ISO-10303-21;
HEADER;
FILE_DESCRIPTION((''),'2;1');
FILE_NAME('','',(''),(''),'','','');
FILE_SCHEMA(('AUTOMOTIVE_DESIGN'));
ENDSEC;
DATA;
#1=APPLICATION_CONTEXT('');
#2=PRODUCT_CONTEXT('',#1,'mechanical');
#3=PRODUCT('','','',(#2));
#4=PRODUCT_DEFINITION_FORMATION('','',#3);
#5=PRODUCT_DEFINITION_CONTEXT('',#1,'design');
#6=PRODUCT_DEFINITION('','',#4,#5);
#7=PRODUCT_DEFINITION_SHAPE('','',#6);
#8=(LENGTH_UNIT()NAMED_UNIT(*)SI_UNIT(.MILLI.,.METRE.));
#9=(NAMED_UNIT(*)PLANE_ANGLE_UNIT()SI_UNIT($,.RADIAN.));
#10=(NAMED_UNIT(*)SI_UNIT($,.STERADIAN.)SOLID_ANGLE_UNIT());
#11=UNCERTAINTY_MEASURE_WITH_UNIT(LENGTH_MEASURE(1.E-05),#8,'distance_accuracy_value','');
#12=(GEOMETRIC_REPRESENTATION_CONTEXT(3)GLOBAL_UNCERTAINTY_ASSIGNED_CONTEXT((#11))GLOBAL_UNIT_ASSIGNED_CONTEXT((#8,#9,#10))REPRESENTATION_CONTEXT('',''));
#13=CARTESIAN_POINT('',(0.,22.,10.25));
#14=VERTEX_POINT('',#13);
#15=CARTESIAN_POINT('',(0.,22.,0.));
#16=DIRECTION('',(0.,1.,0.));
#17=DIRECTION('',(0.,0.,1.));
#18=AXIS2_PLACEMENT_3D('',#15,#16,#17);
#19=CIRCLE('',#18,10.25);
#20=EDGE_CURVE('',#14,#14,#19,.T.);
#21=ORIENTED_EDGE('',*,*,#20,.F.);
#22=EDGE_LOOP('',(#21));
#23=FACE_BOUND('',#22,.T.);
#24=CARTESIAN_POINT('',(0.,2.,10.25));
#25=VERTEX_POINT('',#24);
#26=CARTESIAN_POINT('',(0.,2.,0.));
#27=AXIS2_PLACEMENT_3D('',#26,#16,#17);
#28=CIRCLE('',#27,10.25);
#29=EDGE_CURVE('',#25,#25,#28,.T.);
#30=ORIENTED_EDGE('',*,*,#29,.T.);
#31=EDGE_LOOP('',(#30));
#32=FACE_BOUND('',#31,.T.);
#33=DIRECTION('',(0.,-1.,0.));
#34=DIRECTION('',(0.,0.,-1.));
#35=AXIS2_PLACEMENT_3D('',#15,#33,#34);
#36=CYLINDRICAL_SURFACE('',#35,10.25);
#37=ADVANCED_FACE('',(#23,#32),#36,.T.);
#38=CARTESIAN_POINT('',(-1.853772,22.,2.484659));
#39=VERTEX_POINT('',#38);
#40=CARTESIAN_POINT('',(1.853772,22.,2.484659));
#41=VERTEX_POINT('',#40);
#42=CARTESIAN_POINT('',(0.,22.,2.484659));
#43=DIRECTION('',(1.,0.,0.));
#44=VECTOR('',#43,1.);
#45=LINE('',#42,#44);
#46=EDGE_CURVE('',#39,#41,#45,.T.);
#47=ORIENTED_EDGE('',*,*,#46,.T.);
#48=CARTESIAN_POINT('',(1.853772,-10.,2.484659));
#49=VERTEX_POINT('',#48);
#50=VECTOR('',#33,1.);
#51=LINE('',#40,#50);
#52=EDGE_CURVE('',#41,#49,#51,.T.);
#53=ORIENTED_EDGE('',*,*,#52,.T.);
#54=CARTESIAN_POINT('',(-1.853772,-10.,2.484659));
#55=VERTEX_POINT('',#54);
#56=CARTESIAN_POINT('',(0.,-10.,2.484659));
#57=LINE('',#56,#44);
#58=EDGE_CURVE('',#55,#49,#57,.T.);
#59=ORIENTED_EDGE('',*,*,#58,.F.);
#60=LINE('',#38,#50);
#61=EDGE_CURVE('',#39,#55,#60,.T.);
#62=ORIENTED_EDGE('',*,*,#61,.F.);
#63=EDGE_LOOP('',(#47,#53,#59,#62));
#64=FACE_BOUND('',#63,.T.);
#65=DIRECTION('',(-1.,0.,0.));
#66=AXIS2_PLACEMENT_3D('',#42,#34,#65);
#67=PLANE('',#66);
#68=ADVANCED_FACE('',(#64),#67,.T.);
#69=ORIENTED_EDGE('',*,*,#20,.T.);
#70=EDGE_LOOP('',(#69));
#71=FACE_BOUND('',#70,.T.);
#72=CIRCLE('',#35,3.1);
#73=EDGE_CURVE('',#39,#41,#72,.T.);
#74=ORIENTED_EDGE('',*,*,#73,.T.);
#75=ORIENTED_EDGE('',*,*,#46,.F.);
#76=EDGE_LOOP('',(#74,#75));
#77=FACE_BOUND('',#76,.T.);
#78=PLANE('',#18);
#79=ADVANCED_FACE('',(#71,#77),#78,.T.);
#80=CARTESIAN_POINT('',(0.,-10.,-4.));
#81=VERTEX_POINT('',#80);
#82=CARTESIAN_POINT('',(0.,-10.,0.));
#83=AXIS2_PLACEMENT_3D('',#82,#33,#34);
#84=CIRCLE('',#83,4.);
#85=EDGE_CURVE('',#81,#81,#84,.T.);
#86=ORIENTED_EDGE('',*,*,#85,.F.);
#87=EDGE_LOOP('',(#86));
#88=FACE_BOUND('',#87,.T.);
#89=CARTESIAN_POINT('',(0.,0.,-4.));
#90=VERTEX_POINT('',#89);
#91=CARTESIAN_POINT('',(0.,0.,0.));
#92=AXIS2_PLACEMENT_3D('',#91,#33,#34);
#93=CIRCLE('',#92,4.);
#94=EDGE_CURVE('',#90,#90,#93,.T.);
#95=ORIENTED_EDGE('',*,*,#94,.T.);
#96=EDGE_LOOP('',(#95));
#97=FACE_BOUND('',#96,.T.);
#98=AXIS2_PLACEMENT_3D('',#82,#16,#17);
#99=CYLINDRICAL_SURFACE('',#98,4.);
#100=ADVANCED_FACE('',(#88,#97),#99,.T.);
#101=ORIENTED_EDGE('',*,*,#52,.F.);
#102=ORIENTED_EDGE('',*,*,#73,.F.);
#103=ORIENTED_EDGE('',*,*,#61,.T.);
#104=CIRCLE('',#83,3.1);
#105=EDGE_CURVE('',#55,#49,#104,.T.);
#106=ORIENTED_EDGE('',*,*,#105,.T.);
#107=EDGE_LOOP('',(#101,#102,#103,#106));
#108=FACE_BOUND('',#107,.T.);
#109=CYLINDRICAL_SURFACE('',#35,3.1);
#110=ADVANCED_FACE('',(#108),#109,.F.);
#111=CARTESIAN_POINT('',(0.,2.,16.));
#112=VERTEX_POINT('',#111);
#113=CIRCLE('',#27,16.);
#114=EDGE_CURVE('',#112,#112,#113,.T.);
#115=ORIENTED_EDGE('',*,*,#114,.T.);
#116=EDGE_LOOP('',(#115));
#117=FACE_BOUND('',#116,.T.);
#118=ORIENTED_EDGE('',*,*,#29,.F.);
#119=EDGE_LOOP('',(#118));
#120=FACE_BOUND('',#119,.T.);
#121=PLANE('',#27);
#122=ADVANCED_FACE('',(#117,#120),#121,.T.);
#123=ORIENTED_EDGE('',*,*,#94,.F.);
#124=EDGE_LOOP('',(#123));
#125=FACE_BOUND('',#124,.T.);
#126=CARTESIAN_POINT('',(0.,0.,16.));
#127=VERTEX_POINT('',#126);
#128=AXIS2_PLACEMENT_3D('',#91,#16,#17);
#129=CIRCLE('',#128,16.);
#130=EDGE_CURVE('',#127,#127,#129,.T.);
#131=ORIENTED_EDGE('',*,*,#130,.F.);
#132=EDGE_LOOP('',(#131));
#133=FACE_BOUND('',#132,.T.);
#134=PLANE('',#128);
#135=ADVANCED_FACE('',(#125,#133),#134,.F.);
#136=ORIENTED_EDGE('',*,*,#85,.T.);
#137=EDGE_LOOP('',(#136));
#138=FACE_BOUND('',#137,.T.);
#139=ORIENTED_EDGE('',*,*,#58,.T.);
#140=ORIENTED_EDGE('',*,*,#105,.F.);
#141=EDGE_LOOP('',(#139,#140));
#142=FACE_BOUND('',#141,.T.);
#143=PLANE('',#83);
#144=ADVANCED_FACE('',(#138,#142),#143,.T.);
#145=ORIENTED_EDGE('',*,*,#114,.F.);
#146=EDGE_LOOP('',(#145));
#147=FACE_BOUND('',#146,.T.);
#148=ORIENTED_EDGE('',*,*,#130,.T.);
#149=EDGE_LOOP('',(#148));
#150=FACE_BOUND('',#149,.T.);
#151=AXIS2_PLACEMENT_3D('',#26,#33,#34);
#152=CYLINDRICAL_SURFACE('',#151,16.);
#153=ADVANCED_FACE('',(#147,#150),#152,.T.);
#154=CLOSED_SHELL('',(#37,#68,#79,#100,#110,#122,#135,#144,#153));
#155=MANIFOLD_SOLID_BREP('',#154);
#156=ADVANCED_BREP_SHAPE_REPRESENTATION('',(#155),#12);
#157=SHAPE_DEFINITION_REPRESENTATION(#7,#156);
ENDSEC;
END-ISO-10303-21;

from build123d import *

# Parameters (mm, degrees)
SKETCH1_R               = 16
BOSS_EXTRUDE1_DEPTH     = 2
SKETCH2_R               = 10.25
BOSS_EXTRUDE2_DEPTH     = 20
SKETCH4_R               = 4
BOSS_EXTRUDE3_DEPTH     = 10
CUT_EXTRUDE1_DEPTH      = 32.559467676
CUT_EXTRUDE1_DEPTH_BACK = 32.559467676


with BuildPart() as part:
    # Sketch1 → Boss-Extrude1 (new body)
    with BuildSketch(Plane(origin=(0, 0, 0), x_dir=(1, 0, 0), z_dir=(0, 1, 0))):
        with Locations(Location((0, 0, 0), (0, 0, 270))):
            Circle(SKETCH1_R)
    extrude(amount=BOSS_EXTRUDE1_DEPTH)

    # Sketch2 → Boss-Extrude2 (add)
    with BuildSketch(Plane(origin=(0, 2, 0), x_dir=(1, 0, 0), z_dir=(0, 1, 0))):
        with Locations(Location((0, 0, 0), (0, 0, 270))):
            Circle(SKETCH2_R)
    extrude(amount=BOSS_EXTRUDE2_DEPTH)

    # Sketch4 → Boss-Extrude3 (add)
    with BuildSketch(Plane.XZ):
        with Locations(Location((0, 0, 0), (0, 0, 270))):
            Circle(SKETCH4_R)
    extrude(amount=BOSS_EXTRUDE3_DEPTH)

    # Sketch3 → Cut-Extrude1 (cut, two sides: drawn at the far end of the back side and taken through both)
    with BuildSketch(Plane.XZ.offset(-CUT_EXTRUDE1_DEPTH_BACK)):
        with BuildLine():
            Line((0, 2.484658643), (0, -3.1))
            ThreePointArc((0, -3.1), (2.192031022, -2.192031022), (3.1, 0))
            ThreePointArc((3.1, 0), (2.770983027, 1.389839223), (1.853772215, 2.484658643))
            Line((1.853772215, 2.484658643), (0, 2.484658643))
        make_face()
        with BuildLine():
            ThreePointArc((-1.853772215, 2.484658643), (-2.942145628, -0.976616149), (0, -3.1))
            Line((0, -3.1), (0, 2.484658643))
            Line((0, 2.484658643), (-1.853772215, 2.484658643))
        make_face()
    extrude(amount=CUT_EXTRUDE1_DEPTH + CUT_EXTRUDE1_DEPTH_BACK, mode=Mode.SUBTRACT)


solid = part.part
